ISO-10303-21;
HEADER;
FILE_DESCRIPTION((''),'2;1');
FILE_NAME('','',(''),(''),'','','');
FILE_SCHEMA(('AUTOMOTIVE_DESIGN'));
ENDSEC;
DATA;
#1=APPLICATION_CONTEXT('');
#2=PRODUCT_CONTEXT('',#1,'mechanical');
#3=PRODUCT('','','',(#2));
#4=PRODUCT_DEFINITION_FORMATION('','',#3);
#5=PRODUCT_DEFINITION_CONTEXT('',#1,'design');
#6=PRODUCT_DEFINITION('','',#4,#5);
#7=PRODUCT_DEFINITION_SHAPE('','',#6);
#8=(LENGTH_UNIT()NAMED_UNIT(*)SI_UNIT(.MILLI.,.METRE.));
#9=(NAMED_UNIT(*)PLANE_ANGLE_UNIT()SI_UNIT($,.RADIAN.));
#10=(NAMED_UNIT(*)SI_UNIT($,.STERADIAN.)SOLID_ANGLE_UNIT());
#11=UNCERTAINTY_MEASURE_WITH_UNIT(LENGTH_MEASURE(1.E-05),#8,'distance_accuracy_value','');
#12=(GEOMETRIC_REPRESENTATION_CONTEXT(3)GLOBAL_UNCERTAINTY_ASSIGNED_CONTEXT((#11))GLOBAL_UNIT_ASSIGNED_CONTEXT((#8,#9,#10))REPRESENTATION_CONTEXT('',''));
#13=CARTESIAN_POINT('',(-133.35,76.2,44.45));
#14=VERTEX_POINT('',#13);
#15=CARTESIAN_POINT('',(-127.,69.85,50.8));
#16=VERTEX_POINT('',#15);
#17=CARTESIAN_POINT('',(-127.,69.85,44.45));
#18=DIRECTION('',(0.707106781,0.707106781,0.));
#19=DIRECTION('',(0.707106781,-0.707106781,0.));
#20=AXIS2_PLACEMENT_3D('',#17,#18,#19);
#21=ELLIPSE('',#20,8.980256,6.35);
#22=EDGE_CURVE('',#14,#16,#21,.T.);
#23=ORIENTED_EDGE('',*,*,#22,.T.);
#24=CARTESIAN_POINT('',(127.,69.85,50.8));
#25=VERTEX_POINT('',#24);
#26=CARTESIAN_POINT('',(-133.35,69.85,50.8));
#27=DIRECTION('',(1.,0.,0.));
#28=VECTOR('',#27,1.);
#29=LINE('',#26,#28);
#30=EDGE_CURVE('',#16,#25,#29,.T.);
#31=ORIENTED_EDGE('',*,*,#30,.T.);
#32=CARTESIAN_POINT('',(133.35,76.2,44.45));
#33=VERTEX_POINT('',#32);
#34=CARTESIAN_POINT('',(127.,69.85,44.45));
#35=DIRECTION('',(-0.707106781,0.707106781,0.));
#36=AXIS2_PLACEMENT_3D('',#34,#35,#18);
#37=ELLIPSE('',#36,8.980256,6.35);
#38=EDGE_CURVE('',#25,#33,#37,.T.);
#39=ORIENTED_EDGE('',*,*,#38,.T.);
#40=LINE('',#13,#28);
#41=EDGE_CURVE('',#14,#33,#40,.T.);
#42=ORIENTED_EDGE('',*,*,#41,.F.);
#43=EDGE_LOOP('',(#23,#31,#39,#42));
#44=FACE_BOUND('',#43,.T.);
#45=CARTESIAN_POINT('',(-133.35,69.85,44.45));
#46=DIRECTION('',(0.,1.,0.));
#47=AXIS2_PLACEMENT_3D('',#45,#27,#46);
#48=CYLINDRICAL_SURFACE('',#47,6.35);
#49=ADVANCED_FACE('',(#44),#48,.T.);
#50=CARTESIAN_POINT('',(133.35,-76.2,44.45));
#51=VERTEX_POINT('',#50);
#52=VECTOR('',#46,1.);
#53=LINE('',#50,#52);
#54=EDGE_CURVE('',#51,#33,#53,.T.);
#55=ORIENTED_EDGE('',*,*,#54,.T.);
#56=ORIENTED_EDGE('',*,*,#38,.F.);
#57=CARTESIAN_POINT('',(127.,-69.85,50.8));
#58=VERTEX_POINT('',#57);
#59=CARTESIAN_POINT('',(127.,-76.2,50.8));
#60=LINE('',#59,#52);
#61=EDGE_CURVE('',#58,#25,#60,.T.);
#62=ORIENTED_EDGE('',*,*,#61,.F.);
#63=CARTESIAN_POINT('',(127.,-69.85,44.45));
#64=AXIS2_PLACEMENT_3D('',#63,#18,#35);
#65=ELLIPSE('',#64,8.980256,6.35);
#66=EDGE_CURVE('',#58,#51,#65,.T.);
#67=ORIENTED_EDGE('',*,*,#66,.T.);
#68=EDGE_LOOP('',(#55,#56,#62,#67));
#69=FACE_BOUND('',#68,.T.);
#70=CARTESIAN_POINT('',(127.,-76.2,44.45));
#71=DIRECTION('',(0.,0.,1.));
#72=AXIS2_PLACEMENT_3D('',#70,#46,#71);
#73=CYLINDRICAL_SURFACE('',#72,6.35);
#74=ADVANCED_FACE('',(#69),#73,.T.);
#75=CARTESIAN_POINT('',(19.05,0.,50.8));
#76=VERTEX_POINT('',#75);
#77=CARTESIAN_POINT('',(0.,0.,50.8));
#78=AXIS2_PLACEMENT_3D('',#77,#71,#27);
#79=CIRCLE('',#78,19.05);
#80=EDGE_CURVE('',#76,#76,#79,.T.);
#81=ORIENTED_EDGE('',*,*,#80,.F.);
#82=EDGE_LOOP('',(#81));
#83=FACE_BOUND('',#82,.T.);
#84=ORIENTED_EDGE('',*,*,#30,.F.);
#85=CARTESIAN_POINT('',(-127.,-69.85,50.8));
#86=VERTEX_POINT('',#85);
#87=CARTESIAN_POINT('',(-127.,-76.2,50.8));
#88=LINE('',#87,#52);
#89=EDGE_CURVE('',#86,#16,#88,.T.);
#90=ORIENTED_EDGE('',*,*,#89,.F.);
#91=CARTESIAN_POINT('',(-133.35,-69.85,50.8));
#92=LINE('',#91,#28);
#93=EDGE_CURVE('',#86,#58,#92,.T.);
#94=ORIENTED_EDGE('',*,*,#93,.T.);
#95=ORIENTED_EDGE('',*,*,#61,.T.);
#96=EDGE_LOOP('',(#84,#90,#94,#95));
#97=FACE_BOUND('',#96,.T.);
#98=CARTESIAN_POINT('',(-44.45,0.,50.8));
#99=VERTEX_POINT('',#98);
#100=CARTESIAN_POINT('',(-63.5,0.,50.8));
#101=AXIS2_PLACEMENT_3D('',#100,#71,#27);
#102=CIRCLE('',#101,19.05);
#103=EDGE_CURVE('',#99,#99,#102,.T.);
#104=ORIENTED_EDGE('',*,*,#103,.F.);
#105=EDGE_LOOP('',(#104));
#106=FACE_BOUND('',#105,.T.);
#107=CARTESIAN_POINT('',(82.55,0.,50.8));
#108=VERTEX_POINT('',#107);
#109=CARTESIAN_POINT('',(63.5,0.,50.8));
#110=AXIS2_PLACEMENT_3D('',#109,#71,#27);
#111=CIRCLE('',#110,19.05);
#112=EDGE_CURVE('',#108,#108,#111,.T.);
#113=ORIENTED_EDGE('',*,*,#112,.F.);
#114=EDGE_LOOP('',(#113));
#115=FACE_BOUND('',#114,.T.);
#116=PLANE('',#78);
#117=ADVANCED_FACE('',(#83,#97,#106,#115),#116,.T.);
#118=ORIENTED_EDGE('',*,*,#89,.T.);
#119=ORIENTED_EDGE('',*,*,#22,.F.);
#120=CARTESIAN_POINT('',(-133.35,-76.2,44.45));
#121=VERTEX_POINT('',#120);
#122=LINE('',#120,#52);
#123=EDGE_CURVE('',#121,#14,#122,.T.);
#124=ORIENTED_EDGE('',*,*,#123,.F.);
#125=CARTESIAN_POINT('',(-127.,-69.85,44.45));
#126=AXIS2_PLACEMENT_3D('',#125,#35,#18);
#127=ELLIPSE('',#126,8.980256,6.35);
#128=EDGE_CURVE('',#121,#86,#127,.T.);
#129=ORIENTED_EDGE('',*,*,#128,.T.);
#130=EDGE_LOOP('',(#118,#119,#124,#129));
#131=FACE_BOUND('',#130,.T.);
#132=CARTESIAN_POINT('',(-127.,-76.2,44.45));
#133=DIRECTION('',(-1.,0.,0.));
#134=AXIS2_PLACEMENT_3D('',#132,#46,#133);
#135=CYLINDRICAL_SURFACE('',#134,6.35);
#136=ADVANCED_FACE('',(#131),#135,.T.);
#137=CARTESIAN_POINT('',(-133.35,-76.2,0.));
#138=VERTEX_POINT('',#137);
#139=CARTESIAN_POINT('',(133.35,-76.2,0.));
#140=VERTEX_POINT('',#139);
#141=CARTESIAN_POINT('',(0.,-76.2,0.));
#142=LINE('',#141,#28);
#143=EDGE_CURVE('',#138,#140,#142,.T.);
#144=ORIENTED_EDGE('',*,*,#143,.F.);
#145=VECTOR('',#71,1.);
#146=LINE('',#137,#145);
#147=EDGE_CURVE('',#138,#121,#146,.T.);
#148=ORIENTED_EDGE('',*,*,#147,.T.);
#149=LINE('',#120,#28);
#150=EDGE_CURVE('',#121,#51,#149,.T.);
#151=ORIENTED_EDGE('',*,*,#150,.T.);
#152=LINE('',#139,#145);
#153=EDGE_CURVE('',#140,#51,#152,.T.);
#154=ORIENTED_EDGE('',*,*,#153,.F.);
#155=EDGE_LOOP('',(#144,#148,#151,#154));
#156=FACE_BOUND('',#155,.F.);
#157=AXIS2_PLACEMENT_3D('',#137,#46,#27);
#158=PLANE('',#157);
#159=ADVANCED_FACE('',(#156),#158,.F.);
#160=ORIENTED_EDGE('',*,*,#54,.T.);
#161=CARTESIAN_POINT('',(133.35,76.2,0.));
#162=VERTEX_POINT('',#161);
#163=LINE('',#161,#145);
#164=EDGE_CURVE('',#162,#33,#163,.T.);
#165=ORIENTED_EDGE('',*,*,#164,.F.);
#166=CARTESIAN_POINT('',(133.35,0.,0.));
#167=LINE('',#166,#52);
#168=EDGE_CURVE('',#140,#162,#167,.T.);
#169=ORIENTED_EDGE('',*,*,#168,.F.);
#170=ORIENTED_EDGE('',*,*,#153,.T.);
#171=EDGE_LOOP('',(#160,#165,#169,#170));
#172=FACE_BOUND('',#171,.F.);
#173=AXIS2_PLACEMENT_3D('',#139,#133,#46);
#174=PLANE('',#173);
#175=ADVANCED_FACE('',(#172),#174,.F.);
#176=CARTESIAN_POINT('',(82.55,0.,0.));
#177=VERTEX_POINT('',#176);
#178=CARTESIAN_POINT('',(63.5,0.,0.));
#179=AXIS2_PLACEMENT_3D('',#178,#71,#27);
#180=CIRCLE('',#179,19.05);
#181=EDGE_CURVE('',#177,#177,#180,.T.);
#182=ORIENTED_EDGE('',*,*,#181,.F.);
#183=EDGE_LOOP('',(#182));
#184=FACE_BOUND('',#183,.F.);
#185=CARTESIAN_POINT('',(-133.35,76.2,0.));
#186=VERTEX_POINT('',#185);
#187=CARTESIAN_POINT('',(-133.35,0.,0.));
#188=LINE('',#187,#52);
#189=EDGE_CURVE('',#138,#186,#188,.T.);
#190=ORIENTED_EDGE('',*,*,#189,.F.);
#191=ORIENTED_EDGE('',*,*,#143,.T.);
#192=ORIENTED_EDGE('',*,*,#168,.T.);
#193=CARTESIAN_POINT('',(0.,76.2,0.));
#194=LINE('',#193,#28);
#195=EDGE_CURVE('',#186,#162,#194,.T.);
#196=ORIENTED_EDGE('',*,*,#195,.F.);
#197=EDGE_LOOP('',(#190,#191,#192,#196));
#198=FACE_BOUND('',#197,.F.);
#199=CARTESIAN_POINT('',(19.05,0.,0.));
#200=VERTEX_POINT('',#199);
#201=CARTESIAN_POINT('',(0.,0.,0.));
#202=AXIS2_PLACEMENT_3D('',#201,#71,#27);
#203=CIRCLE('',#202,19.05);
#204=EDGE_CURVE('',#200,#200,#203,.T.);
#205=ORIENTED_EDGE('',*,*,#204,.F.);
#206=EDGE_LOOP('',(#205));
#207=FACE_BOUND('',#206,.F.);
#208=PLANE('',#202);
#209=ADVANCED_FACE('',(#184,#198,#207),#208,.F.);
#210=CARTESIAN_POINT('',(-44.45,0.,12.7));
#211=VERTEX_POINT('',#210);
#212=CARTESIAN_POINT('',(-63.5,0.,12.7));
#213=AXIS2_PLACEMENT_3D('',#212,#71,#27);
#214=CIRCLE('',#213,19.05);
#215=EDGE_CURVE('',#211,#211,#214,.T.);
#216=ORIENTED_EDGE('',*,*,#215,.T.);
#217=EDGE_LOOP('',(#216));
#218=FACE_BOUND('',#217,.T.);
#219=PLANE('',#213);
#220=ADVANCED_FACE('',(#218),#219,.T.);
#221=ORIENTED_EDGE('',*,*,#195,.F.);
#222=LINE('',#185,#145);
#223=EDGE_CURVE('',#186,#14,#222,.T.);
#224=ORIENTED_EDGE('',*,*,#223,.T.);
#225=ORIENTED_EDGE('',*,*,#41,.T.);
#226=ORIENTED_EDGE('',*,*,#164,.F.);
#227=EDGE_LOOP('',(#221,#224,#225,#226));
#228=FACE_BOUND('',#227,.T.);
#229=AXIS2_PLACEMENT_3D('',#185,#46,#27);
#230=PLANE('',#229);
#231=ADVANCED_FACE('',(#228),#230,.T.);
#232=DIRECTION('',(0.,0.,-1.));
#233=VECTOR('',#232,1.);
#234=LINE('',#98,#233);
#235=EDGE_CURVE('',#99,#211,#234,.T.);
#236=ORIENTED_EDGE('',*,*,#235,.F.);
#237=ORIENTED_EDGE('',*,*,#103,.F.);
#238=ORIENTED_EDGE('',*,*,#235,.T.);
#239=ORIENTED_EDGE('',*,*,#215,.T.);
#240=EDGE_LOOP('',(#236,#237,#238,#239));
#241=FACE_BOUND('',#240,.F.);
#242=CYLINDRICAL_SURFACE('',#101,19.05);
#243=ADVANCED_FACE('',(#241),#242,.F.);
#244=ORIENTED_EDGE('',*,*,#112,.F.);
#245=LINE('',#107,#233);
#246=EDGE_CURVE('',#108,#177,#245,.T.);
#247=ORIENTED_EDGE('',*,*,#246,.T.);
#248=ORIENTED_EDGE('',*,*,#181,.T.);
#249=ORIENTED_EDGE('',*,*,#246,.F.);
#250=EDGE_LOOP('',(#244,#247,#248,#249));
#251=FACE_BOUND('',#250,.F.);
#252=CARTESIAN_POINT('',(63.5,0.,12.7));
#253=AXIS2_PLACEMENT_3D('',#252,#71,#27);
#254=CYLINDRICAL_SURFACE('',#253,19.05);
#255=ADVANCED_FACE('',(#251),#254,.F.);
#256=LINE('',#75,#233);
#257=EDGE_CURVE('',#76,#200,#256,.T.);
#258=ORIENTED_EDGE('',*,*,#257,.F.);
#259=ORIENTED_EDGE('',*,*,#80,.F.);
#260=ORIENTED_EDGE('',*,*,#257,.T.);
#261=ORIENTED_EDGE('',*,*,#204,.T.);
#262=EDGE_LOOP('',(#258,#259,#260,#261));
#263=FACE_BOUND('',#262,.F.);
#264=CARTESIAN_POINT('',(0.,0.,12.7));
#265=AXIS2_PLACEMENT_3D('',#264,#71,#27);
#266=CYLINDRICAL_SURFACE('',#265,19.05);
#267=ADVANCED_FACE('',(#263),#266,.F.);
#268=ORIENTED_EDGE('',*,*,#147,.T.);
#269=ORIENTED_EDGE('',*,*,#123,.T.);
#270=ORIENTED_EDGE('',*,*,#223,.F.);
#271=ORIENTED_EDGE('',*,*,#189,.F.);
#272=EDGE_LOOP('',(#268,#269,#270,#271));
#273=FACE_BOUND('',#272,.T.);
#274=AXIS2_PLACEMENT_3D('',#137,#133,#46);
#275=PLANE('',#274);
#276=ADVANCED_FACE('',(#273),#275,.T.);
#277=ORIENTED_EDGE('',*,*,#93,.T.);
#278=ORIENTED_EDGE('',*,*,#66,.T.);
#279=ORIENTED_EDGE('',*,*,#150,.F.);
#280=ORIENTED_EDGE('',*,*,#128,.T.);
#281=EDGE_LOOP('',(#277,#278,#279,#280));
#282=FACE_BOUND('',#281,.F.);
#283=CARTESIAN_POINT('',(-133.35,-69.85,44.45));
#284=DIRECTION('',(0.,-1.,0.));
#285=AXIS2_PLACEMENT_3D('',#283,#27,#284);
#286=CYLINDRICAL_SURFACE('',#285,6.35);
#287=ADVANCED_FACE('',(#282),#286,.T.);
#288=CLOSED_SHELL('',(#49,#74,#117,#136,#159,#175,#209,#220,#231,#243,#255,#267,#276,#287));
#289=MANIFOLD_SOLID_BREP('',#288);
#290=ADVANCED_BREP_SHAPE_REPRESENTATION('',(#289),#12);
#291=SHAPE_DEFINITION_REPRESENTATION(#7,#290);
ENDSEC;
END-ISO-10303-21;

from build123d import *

# Parameters (mm, degrees)
F0_W      = 266.7
F0_H      = 152.4
F1_DEPTH  = 50.8
F2_R      = 19.05
F3_DEPTH  = 38.1
F4_R      = 6.35
F3_FACE_R = 19.05
F5_DEPTH  = 50.8


with BuildPart() as f1:
    # F0 (on Top) → F1 (new body)
    with BuildSketch(Plane.XY):
        Rectangle(F0_W, F0_H)
    extrude(amount=F1_DEPTH)

    # F2 (on face) → F3 (cut)
    with BuildSketch(Plane.XY.offset(50.8)):
        with Locations((-63.5, 0)):
            Circle(F2_R)
        Circle(F2_R)
        with Locations((63.5, 0)):
            Circle(F2_R)
    extrude(amount=-F3_DEPTH, mode=Mode.SUBTRACT)

    # F4
    f4_edges = [f1.edges().sort_by_distance(p)[0] for p in [
        (133.35, 0, 50.8),
        (0, 76.2, 50.8),
        (0, -76.2, 50.8),
        (-133.35, 0, 50.8),
    ]]
    fillet(f4_edges, radius=F4_R)

    # F3_face (on face) → F5 (cut)
    with BuildSketch(Plane.XY.offset(12.7)):
        Circle(F3_FACE_R)
        with Locations((63.5, 0)):
            Circle(F3_FACE_R)
    extrude(amount=-F5_DEPTH, mode=Mode.SUBTRACT)


solid = f1.part
